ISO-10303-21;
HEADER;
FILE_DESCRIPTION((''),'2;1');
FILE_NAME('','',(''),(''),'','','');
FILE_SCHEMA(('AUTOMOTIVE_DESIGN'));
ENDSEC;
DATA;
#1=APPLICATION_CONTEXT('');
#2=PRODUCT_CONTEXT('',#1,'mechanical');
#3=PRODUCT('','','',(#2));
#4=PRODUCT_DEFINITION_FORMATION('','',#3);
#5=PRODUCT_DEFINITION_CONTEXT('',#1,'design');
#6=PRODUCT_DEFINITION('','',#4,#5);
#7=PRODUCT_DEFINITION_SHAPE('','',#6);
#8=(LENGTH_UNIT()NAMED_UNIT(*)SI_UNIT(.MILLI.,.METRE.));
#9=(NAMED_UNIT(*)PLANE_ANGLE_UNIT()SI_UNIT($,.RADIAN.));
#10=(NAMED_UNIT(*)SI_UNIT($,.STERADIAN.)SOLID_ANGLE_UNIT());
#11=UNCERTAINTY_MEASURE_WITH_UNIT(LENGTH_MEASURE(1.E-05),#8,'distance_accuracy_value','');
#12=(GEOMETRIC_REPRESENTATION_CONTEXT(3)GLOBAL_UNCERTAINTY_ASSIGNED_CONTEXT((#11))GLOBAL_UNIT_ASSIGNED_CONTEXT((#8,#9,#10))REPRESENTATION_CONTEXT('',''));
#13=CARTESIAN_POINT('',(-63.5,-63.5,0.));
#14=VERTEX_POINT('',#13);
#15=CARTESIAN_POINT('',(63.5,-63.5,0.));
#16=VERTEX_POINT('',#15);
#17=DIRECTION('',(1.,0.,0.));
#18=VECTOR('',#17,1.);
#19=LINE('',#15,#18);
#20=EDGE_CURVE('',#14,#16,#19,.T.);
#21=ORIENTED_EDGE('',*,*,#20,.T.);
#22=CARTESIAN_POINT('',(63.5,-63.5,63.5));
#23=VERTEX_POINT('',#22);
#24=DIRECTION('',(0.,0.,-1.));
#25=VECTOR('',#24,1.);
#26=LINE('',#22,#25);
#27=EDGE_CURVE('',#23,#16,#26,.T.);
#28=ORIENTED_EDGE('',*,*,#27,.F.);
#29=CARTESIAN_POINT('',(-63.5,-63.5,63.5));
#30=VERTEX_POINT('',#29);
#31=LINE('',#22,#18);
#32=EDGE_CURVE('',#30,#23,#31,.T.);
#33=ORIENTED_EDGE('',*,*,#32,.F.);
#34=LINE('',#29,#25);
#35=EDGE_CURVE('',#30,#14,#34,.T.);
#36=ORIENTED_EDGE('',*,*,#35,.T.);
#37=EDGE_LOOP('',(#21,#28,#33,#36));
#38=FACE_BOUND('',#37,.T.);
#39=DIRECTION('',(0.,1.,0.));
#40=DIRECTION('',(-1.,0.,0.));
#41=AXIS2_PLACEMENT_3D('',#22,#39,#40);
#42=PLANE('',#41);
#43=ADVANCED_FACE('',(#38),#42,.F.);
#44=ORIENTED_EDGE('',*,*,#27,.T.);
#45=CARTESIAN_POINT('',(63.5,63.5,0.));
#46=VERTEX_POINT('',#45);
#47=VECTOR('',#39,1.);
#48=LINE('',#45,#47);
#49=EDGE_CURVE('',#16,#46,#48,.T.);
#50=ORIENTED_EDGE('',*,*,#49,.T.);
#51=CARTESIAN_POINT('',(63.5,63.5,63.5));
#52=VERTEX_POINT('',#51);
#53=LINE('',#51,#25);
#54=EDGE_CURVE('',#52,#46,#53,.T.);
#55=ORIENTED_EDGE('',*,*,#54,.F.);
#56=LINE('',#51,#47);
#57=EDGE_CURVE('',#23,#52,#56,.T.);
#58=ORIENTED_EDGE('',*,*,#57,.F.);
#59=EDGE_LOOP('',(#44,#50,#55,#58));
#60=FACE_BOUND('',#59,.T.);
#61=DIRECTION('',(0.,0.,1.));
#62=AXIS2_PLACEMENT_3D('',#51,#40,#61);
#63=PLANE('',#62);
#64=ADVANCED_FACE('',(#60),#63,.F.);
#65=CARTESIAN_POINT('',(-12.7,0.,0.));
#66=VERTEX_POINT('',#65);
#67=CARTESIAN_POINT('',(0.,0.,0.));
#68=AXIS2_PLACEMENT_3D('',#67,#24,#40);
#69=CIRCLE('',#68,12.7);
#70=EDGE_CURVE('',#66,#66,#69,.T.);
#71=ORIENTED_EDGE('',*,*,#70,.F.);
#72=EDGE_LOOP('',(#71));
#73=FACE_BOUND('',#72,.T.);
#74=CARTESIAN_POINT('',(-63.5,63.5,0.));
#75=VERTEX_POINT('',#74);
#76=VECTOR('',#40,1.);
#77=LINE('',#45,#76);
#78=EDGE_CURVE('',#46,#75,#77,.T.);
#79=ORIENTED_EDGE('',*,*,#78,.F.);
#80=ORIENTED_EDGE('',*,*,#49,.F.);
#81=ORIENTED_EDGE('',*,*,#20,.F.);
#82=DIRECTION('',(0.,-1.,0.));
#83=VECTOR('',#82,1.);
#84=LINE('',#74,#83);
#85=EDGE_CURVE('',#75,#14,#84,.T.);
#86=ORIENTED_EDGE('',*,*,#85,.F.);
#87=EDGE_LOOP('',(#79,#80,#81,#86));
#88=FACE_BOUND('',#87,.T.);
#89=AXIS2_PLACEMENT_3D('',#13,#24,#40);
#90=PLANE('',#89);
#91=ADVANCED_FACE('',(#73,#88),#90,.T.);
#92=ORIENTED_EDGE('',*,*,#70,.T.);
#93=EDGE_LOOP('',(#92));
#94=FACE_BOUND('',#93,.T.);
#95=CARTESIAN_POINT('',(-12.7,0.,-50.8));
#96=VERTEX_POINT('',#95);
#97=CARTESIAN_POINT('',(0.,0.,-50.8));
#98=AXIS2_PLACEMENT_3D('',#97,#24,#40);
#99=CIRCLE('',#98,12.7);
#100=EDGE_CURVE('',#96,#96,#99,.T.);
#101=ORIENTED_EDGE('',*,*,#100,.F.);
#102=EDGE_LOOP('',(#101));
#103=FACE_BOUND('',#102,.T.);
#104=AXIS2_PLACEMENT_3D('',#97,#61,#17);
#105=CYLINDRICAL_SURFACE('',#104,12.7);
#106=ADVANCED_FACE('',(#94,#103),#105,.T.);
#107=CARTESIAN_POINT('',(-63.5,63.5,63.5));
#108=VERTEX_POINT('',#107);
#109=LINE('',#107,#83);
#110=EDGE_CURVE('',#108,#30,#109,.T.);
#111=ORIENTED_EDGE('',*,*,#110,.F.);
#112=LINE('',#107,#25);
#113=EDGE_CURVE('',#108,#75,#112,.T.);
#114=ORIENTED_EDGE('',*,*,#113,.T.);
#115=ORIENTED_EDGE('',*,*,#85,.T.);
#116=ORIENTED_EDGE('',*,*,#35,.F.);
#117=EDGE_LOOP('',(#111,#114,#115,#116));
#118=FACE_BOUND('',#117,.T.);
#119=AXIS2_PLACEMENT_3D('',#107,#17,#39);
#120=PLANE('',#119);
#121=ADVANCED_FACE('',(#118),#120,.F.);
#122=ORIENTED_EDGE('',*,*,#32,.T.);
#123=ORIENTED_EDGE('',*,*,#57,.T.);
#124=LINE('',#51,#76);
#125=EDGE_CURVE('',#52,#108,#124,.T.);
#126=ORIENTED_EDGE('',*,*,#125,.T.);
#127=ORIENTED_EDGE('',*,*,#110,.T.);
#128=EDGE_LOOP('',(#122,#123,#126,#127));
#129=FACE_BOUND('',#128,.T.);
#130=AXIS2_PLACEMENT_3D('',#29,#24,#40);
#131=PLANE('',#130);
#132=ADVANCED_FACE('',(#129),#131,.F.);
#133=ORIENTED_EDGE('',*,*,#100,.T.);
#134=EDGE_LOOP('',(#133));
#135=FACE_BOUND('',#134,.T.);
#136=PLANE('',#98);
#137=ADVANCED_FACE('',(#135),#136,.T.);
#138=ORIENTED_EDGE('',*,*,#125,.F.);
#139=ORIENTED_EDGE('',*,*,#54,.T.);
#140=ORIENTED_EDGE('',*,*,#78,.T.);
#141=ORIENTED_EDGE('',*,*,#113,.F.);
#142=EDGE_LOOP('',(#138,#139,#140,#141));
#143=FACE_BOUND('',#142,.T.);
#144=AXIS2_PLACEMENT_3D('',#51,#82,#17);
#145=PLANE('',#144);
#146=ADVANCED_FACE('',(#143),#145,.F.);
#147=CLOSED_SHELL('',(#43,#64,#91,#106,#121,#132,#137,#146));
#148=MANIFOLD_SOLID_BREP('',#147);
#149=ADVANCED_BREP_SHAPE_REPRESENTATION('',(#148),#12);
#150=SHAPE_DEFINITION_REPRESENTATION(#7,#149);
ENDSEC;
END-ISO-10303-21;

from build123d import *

# Parameters (mm, degrees)
SKETCH1_W           = 127
SKETCH1_H           = 127
BOSS_EXTRUDE1_DEPTH = 63.5
SKETCH2_R           = 12.7
BOSS_EXTRUDE2_DEPTH = 50.8


with BuildPart() as part:
    # Sketch1 → Boss-Extrude1 (new body)
    with BuildSketch(Plane.XY):
        Rectangle(SKETCH1_W, SKETCH1_H)
    extrude(amount=BOSS_EXTRUDE1_DEPTH)

    # Sketch2 → Boss-Extrude2 (add)
    with BuildSketch(Plane(origin=(0, 0, 0), x_dir=(-1, 0, 0), z_dir=(0, 0, -1))):
        Circle(SKETCH2_R)
    extrude(amount=BOSS_EXTRUDE2_DEPTH)


solid = part.part
